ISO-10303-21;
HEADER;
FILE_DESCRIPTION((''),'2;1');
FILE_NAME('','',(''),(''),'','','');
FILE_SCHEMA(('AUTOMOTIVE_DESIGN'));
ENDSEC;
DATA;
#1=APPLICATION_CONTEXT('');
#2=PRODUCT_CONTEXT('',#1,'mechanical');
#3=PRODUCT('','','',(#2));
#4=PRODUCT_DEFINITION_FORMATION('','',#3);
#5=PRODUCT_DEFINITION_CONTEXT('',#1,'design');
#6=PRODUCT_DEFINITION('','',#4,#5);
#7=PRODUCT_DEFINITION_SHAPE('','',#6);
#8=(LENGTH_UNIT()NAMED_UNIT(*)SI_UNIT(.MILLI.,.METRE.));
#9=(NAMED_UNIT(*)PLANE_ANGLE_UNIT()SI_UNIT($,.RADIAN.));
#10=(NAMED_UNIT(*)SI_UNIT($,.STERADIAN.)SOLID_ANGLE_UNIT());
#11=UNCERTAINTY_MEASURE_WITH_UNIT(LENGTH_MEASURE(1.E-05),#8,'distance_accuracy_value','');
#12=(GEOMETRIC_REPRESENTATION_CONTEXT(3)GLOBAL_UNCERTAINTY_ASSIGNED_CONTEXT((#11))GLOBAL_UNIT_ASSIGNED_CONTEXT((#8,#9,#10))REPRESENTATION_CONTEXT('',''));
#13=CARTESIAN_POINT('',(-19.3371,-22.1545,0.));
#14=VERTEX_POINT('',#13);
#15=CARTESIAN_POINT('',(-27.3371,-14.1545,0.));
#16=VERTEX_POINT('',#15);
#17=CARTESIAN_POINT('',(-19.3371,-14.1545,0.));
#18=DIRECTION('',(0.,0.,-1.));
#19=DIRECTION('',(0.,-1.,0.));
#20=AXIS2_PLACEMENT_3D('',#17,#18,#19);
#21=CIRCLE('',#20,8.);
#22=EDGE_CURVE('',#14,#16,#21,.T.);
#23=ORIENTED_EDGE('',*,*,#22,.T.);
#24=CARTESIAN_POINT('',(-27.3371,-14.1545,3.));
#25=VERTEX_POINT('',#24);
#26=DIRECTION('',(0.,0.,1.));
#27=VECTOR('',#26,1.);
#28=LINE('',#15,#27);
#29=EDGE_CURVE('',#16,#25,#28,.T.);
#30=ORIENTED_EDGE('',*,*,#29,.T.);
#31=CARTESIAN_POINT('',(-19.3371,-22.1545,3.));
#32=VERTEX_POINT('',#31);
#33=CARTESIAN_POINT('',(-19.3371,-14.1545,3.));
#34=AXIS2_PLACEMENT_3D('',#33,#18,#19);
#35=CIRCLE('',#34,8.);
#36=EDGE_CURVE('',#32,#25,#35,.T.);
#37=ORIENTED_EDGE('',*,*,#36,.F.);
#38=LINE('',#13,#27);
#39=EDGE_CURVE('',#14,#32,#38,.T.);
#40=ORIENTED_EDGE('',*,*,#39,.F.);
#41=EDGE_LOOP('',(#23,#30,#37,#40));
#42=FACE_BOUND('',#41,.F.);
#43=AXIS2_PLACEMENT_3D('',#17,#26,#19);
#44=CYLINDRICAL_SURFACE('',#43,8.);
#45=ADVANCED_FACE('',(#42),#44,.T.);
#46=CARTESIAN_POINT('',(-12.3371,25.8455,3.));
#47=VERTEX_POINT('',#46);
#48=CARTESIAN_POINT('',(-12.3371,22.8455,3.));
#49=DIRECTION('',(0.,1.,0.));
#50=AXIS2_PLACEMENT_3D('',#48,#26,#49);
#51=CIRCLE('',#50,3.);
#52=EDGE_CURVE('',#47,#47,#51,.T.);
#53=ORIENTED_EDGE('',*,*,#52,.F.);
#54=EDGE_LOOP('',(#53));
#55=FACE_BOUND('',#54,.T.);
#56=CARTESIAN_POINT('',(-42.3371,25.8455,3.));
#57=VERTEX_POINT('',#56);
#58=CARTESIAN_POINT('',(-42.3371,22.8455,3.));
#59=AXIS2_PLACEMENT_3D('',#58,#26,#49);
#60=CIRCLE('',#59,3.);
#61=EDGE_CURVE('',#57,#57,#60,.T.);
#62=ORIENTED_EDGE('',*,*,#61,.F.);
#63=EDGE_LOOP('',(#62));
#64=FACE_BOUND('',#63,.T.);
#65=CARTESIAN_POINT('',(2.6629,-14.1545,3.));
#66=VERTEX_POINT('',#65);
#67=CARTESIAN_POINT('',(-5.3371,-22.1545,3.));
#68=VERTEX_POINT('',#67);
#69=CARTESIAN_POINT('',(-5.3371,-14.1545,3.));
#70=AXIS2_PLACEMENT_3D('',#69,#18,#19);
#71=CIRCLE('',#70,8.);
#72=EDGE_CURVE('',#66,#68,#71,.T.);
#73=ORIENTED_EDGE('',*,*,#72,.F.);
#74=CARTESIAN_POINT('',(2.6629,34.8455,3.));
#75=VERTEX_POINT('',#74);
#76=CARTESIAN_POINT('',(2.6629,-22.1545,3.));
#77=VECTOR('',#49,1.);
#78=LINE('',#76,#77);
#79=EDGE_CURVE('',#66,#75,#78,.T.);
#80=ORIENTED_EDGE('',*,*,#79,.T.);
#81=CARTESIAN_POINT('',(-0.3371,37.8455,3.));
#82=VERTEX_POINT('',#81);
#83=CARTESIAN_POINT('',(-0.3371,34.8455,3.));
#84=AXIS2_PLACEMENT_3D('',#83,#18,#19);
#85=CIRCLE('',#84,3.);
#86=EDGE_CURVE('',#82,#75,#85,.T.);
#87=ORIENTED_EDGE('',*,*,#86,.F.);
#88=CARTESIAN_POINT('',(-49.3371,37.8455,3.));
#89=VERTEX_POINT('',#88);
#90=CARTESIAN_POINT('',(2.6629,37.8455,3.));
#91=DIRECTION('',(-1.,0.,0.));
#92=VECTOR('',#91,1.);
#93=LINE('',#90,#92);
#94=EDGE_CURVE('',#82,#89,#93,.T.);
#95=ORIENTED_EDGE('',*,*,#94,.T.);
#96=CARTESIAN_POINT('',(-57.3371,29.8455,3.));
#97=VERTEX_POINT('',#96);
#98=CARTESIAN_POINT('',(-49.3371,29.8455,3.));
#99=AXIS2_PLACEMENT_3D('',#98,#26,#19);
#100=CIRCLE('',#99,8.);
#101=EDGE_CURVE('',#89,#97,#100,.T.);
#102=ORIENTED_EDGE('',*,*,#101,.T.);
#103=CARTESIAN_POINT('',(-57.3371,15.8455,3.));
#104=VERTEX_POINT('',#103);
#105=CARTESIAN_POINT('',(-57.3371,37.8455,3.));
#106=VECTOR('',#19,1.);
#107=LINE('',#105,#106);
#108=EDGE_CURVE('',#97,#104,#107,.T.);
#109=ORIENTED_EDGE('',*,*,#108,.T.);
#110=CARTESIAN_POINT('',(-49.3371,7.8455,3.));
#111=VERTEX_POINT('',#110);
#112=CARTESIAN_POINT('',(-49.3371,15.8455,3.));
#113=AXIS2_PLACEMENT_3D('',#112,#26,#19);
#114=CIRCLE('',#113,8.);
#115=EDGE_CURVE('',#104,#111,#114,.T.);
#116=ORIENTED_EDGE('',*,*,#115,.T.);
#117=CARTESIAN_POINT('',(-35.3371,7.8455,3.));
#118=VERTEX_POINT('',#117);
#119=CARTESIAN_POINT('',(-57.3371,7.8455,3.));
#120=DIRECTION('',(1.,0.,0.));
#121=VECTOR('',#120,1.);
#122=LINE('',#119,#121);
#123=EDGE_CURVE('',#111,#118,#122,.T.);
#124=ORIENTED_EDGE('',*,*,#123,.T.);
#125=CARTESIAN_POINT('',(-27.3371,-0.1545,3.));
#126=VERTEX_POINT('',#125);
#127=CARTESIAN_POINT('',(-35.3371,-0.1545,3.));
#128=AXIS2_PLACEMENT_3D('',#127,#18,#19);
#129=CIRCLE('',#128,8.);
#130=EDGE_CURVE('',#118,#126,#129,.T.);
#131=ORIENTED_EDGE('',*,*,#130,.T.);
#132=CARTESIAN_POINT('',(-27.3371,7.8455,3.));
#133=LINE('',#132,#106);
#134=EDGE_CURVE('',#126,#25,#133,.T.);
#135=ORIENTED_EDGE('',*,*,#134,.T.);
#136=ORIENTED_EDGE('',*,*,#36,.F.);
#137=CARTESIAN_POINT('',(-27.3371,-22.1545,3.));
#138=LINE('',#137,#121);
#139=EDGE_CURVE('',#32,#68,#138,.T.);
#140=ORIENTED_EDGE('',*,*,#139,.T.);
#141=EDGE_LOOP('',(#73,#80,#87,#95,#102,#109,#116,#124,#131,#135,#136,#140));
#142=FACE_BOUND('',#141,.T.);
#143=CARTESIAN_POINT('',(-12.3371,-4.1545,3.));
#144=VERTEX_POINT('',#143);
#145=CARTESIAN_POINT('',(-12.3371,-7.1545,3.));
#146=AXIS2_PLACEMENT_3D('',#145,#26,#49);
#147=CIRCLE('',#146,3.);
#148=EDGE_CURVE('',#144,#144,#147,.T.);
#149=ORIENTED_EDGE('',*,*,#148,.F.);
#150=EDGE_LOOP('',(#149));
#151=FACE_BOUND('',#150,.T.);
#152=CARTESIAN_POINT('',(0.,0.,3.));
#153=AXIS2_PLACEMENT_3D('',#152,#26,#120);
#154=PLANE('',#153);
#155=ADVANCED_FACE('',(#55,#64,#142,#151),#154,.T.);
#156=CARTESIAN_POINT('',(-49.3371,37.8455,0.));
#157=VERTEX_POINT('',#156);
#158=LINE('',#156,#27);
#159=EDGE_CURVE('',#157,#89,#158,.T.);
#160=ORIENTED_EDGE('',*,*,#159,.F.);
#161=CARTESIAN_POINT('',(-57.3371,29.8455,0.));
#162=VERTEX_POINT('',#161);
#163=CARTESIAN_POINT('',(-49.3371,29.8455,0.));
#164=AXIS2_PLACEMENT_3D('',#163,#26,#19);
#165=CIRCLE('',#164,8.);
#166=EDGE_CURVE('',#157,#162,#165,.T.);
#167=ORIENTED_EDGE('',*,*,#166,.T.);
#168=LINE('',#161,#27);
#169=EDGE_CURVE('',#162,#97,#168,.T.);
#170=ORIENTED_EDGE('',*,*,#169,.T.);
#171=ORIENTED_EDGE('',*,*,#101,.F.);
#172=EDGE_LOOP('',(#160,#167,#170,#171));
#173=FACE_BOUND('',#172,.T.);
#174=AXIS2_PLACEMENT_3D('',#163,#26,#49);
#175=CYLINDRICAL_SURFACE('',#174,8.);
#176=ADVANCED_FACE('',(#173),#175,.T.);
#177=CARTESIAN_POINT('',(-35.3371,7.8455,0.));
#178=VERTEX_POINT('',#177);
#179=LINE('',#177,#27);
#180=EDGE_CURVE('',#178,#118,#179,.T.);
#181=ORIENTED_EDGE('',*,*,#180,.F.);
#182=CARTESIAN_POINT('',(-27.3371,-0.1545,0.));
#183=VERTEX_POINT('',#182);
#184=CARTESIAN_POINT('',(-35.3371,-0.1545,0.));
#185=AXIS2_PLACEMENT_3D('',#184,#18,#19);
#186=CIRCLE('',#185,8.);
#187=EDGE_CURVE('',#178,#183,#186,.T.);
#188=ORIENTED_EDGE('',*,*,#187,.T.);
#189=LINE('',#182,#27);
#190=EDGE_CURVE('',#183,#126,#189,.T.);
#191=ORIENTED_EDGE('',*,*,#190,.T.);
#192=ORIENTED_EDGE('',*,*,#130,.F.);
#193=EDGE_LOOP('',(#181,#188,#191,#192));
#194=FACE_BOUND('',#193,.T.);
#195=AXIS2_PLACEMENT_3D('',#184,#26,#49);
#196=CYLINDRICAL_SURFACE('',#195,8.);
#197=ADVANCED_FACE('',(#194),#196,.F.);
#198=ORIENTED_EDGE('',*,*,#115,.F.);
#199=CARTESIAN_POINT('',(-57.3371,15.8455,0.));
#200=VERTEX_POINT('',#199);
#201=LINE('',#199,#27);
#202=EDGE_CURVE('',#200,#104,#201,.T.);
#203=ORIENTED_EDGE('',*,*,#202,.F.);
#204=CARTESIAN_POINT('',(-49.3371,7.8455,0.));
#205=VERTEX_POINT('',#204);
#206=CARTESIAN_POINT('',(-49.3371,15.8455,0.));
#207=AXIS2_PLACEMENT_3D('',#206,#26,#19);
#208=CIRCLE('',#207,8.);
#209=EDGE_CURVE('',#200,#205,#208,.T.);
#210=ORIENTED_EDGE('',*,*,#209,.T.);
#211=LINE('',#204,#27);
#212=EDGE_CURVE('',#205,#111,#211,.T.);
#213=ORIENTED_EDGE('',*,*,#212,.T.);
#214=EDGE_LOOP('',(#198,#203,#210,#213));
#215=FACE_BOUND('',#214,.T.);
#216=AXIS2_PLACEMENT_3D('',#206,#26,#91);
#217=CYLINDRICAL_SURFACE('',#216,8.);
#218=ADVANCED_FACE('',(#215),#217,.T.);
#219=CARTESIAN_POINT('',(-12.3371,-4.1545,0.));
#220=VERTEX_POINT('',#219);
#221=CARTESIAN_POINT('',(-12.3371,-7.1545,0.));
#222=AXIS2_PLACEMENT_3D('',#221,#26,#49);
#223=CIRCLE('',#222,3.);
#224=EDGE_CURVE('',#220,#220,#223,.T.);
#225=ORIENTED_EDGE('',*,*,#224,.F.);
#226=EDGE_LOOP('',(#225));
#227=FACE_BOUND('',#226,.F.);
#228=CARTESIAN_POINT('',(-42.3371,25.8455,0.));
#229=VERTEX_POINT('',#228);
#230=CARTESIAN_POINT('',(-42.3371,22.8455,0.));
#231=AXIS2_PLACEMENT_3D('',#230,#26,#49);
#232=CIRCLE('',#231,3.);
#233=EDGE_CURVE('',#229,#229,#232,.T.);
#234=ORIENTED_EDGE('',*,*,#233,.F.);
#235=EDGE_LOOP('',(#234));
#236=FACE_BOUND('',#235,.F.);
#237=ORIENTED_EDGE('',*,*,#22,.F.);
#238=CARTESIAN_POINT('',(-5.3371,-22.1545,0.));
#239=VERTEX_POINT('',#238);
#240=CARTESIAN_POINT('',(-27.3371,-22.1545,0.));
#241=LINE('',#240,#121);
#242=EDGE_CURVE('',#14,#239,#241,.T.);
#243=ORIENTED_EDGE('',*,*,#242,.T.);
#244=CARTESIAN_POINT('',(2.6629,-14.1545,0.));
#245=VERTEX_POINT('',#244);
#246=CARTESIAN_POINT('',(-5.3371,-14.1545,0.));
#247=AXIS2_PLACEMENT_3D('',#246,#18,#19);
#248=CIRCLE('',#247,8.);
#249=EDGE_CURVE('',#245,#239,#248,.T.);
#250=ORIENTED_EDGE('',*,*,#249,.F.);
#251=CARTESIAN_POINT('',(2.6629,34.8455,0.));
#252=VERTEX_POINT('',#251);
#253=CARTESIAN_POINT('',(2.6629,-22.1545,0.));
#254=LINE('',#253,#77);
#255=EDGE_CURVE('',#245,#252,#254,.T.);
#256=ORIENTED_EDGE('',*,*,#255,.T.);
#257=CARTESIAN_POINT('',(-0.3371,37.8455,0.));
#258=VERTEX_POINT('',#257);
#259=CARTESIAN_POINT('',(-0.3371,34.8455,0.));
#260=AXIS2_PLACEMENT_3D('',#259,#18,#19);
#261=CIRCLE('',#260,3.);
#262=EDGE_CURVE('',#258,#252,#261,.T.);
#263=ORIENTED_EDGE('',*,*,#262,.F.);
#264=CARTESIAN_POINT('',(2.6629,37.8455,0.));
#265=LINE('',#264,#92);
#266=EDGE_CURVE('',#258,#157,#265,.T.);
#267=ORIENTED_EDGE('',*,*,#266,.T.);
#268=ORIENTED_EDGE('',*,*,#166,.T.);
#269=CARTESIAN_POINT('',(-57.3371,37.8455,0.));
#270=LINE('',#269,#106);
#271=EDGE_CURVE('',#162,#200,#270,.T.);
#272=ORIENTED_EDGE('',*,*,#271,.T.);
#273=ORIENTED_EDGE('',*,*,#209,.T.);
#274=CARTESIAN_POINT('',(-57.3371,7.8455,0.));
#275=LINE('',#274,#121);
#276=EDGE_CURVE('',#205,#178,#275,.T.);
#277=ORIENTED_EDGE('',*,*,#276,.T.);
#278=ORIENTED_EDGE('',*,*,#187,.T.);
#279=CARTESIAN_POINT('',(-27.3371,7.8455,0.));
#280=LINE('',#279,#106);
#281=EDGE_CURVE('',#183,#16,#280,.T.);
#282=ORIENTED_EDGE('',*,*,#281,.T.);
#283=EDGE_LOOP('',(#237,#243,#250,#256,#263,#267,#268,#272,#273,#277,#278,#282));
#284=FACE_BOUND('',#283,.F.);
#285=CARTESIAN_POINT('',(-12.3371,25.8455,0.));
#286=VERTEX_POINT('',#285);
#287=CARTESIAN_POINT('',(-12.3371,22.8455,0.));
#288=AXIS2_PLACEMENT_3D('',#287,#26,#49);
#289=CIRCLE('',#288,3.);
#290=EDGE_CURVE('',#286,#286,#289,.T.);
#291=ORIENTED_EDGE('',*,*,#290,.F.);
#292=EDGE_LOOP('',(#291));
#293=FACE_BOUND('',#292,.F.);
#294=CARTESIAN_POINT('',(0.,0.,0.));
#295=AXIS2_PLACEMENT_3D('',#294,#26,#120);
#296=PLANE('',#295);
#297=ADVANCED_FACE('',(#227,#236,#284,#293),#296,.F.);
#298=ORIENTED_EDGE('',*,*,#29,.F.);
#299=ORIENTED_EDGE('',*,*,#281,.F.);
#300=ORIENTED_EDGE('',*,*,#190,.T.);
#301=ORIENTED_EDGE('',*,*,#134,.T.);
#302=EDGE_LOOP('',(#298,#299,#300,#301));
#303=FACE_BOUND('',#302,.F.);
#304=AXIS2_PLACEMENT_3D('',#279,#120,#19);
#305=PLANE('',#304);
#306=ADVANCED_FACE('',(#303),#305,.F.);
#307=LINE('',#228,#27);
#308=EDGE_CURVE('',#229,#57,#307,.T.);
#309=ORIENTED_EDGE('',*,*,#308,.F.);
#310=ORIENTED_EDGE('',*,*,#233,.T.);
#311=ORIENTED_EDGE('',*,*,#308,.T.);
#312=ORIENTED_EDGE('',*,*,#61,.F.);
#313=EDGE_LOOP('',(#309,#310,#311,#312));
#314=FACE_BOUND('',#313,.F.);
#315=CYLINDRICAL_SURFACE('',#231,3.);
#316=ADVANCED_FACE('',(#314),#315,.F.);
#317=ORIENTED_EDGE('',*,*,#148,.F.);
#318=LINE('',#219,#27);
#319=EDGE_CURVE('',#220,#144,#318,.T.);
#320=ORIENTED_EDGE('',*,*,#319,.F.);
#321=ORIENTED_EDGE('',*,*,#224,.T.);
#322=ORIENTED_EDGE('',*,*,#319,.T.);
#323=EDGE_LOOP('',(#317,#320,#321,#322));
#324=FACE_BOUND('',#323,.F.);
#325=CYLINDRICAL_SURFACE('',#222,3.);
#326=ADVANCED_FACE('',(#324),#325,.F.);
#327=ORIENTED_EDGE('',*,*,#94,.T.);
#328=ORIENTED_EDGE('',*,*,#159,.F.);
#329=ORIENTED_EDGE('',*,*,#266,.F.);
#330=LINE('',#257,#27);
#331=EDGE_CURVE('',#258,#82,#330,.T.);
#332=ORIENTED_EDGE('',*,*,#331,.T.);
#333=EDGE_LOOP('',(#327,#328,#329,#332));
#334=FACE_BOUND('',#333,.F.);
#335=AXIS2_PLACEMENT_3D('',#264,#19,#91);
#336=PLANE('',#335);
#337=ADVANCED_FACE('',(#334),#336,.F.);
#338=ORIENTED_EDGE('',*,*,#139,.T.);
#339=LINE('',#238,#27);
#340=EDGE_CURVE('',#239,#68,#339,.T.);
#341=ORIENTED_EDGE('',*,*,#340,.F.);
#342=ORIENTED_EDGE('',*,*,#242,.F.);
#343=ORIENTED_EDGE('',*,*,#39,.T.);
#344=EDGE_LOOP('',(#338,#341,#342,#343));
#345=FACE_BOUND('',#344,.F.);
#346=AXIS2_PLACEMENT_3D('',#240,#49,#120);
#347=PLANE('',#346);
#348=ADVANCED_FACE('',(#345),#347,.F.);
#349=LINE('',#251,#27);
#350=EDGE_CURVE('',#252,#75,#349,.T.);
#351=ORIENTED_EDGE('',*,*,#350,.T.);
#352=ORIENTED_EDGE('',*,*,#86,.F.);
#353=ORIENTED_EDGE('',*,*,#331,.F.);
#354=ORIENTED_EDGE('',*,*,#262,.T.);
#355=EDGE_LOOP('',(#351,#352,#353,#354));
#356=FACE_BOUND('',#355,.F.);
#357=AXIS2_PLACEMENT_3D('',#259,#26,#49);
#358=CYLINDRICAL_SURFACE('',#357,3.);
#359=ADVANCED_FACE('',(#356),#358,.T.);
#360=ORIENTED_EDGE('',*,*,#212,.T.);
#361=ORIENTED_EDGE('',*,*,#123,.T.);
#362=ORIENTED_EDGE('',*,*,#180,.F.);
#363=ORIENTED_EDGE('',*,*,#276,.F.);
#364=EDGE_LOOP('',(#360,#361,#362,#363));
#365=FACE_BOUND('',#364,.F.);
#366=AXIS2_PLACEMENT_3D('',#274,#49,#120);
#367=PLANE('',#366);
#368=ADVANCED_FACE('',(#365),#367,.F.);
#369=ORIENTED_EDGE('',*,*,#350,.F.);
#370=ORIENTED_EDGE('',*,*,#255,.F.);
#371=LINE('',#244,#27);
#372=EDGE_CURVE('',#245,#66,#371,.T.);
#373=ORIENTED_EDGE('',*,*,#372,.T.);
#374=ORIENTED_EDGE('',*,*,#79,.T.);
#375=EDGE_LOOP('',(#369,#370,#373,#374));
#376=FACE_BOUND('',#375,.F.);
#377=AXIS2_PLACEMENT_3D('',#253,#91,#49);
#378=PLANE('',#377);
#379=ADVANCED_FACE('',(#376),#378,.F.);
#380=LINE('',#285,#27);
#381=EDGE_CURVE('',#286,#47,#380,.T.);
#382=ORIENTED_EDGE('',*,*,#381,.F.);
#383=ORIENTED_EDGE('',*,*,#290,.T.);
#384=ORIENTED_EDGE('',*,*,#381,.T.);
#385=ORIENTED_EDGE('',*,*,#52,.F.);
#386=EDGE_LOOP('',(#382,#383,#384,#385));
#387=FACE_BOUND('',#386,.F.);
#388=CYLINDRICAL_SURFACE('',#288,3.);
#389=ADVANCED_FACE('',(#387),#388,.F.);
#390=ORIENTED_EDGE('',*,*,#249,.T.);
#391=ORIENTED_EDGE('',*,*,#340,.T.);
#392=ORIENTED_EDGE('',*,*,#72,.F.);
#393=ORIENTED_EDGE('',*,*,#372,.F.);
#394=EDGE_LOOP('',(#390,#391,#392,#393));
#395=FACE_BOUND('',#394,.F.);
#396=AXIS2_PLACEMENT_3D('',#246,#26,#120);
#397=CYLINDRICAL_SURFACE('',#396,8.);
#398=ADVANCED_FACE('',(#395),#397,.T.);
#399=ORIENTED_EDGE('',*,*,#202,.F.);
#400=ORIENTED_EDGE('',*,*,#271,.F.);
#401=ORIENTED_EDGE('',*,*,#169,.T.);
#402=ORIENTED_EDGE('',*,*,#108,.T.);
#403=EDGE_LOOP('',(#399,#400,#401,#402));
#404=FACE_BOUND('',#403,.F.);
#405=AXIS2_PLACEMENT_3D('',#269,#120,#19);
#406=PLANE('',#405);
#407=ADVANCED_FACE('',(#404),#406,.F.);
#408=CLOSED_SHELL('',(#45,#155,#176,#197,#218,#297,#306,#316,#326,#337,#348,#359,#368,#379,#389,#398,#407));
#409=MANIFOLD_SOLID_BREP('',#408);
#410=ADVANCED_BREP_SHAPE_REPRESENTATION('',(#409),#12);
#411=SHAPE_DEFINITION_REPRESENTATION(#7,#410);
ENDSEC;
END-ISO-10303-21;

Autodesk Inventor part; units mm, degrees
ref_plane "YZ Plane" through (0, 0, 0) normal (1, 0, 0) x (0, 1, 0)
ref_plane "XZ Plane" through (0, 0, 0) normal (0, 1, 0) x (-1, 0, 0)
ref_plane "XY Plane" through (0, 0, 0) normal (0, 0, 1) x (1, 0, 0)
sketch "Szkic1" plane through (0, 0, 0) normal (0, 0, 1) x (1, 0, 0)
  line L0 (-57.3371, 37.8455) -> (-57.3371, 7.8455)
  line L1 (-57.3371, 7.8455) -> (-27.3371, 7.8455)
  line L2 (-27.3371, 7.8455) -> (-27.3371, -22.1545)
  line L3 (-27.3371, -22.1545) -> (2.6629, -22.1545)
  line L4 (2.6629, -22.1545) -> (2.6629, 37.8455)
  line L5 (2.6629, 37.8455) -> (-57.3371, 37.8455)
  point P0 (0, 0)
  point P1 (-42.3371, 22.8455)
  point P2 (-12.3371, 22.8455)
  point P3 (-12.3371, -7.1545)
  dimension "d0" = 30
  dimension "d1" = 30
  dimension "d2" = 30
  dimension "d3" = 30
  dimension "d4" = 15
  dimension "d5" = 15
  dimension "d6" = 15
  dimension "d7" = 15
  dimension "d8" = 15
  dimension "d9" = 15
extrude "Wyciągnięcie proste1" add sketch "Szkic1" along normal blind 3
hole "Otwór1" at (-42.3371, 22.8455, 0) at (-12.3371, 22.8455, 0) at (-12.3371, -7.1545, 0) direction (0, 0, 1) diameter 6 end through all
fillet "Zaokrąglenie2" radius 3 1 edges at (2.6629, 37.8455, 1.5)
fillet "Zaokrąglenie3" radius 8 5 edges at (2.6629, -22.1545, 1.5) (-27.3371, -22.1545, 1.5) (-27.3371, 7.8455, 1.5) (-57.3371, 7.8455, 1.5) (-57.3371, 37.8455, 1.5)
equation "\"d1\" = d0"
equation "\"d3\" = d2"
equation "\"d4\" = 0.5 * d0"
equation "\"d5\" = 0.5 * d1"
equation "\"d6\" = d5"
equation "\"d7\" = d5"
equation "\"d8\" = 0.5 * d3"
equation "\"d9\" = 0.5 * d2"
properties part number "LC_ALU_3mm_30x30_Corner_Bracket"
